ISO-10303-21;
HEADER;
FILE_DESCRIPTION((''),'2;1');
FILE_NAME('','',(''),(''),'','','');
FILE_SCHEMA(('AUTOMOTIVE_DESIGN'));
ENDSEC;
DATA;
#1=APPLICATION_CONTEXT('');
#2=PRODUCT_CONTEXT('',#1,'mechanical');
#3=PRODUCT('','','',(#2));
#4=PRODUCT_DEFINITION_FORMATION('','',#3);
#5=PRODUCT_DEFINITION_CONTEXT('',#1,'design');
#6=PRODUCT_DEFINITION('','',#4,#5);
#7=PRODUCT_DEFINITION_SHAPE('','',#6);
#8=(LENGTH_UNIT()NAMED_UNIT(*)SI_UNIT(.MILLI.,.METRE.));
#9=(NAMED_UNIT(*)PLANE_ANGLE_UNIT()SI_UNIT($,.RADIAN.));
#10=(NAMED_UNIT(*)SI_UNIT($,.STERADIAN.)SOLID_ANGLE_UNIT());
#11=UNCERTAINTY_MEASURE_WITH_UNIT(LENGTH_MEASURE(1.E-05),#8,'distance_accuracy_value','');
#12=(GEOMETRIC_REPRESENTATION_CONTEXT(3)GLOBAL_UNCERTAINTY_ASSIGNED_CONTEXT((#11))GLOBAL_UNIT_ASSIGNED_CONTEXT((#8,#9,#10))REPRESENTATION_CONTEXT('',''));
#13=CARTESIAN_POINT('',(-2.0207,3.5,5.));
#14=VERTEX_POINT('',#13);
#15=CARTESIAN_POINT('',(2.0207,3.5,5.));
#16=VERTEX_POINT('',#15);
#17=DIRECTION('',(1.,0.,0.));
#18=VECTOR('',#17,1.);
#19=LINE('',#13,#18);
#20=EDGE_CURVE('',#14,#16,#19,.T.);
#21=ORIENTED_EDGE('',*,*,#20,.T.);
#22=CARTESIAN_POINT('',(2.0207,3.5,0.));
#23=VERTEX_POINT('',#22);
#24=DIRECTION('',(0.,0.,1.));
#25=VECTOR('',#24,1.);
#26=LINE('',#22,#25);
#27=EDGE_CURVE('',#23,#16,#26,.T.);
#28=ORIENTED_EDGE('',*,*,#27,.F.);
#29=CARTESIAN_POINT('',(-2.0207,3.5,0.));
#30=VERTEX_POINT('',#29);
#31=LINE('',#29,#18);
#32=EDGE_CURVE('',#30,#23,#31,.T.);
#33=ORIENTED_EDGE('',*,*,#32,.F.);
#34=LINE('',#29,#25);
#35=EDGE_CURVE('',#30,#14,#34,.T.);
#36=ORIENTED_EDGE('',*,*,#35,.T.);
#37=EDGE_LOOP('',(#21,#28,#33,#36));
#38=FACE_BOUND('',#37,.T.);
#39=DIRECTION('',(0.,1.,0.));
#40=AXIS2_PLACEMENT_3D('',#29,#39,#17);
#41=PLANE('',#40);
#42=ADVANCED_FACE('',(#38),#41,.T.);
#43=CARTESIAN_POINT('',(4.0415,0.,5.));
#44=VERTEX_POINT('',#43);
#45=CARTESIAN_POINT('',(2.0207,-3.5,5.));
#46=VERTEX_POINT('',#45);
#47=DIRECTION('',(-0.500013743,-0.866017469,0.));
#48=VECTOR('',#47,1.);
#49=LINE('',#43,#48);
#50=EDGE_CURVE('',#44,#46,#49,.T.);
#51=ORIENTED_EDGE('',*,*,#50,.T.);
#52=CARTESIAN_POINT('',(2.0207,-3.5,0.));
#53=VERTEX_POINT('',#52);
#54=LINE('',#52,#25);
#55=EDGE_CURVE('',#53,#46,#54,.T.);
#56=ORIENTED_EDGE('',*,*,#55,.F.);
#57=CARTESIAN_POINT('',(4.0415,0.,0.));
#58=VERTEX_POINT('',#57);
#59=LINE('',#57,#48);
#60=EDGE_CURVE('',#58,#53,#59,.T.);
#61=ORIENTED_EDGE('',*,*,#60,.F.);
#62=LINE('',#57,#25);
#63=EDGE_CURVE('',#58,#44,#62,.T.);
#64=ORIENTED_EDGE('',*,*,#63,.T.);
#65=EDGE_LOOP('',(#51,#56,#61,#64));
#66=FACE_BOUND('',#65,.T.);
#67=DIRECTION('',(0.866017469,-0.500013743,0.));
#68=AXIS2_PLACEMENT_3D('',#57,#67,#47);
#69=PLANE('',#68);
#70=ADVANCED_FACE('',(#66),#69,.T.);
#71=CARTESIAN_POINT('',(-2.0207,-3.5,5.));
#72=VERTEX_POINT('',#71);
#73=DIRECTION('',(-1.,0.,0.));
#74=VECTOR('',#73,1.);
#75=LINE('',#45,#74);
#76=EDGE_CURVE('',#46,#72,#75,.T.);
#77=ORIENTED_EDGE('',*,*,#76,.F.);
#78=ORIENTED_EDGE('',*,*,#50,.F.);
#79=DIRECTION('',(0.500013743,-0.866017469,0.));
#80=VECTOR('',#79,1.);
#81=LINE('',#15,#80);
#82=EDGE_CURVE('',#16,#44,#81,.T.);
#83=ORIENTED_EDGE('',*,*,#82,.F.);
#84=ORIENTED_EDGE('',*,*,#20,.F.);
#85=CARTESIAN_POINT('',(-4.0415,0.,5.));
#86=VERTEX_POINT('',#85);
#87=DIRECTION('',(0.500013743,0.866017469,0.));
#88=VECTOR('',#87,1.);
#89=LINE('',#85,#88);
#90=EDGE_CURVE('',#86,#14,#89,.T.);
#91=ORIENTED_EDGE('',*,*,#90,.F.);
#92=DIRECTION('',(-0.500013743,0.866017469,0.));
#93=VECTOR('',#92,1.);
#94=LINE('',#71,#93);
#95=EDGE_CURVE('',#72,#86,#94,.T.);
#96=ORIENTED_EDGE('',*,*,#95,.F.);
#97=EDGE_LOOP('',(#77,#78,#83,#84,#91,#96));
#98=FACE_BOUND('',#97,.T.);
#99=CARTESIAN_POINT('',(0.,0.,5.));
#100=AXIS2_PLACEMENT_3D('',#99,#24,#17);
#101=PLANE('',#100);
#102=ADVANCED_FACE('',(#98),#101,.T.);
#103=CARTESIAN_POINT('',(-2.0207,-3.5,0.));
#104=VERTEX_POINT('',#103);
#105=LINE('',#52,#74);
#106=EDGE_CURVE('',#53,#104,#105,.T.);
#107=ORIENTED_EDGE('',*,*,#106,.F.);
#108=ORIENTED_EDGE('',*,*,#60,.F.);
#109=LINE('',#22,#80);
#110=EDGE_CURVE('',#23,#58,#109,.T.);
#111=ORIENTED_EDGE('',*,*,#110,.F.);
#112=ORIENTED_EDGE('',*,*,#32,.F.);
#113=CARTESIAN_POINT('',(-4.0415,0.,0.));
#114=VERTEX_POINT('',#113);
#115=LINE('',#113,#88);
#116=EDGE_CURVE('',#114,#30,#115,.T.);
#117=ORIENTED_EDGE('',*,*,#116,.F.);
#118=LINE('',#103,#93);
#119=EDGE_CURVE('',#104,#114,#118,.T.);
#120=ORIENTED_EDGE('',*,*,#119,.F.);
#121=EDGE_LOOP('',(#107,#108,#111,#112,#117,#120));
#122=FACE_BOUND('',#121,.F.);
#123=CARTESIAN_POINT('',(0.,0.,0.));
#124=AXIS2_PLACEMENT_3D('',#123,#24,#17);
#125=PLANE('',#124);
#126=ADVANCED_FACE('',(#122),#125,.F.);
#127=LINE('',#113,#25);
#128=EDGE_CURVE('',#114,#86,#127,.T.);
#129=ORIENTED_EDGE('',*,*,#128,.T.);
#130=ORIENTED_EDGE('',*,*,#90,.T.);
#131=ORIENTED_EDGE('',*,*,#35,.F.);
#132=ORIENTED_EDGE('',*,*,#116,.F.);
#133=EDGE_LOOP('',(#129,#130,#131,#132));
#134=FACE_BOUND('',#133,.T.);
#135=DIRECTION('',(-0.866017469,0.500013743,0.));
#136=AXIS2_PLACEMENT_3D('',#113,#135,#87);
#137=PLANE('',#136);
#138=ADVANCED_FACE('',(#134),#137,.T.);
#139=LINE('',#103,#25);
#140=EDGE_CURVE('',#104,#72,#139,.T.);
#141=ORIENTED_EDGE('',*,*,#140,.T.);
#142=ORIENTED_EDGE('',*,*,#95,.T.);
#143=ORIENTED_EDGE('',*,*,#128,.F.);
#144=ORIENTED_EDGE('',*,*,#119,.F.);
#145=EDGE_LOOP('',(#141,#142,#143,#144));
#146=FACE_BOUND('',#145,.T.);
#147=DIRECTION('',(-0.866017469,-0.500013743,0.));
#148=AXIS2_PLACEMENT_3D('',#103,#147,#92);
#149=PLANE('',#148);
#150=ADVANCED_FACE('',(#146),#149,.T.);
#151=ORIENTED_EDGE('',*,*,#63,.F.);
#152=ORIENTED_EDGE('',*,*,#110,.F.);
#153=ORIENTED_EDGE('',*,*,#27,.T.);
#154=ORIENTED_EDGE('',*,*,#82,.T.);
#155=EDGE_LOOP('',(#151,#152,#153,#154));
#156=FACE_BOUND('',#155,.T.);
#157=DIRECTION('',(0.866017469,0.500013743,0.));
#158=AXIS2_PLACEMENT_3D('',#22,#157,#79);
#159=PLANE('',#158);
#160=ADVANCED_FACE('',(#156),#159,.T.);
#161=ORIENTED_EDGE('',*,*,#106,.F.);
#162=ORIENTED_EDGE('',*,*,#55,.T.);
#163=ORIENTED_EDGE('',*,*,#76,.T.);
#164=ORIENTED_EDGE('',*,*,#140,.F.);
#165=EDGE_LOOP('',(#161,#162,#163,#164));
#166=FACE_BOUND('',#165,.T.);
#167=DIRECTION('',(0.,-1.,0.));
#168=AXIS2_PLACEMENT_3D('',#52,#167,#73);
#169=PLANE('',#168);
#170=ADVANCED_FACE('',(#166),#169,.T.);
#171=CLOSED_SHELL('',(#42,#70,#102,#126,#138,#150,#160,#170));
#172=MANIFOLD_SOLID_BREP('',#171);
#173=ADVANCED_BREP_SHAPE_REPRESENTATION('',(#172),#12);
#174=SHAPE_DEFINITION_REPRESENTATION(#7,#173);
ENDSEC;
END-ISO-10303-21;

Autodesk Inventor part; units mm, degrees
ref_plane "YZ Plane" through (0, 0, 0) normal (1, 0, 0) x (0, 1, 0)
ref_plane "XZ Plane" through (0, 0, 0) normal (0, 1, 0) x (-1, 0, 0)
ref_plane "XY Plane" through (0, 0, 0) normal (0, 0, 1) x (1, 0, 0)
sketch "Sketch1" plane through (0, 0, 0) normal (0, 0, 1) x (1, 0, 0)
  line L0 (2.0207, -3.5) -> (-2.0207, -3.5)
  line L1 (-2.0207, -3.5) -> (-4.0415, 0)
  line L2 (-4.0415, 0) -> (-2.0207, 3.5)
  line L3 (-2.0207, 3.5) -> (2.0207, 3.5)
  line L4 (2.0207, 3.5) -> (4.0415, 0)
  line L5 (4.0415, 0) -> (2.0207, -3.5)
  point P0 (0, 0)
  point P1 (0, 0)
  point P2 (0, -3.5)
  point P3 (0, 3.5)
  dimension "d0" = 7
extrude "Extrusion1" add sketch "Sketch1" along normal blind 5
properties part number "hex_filler"
